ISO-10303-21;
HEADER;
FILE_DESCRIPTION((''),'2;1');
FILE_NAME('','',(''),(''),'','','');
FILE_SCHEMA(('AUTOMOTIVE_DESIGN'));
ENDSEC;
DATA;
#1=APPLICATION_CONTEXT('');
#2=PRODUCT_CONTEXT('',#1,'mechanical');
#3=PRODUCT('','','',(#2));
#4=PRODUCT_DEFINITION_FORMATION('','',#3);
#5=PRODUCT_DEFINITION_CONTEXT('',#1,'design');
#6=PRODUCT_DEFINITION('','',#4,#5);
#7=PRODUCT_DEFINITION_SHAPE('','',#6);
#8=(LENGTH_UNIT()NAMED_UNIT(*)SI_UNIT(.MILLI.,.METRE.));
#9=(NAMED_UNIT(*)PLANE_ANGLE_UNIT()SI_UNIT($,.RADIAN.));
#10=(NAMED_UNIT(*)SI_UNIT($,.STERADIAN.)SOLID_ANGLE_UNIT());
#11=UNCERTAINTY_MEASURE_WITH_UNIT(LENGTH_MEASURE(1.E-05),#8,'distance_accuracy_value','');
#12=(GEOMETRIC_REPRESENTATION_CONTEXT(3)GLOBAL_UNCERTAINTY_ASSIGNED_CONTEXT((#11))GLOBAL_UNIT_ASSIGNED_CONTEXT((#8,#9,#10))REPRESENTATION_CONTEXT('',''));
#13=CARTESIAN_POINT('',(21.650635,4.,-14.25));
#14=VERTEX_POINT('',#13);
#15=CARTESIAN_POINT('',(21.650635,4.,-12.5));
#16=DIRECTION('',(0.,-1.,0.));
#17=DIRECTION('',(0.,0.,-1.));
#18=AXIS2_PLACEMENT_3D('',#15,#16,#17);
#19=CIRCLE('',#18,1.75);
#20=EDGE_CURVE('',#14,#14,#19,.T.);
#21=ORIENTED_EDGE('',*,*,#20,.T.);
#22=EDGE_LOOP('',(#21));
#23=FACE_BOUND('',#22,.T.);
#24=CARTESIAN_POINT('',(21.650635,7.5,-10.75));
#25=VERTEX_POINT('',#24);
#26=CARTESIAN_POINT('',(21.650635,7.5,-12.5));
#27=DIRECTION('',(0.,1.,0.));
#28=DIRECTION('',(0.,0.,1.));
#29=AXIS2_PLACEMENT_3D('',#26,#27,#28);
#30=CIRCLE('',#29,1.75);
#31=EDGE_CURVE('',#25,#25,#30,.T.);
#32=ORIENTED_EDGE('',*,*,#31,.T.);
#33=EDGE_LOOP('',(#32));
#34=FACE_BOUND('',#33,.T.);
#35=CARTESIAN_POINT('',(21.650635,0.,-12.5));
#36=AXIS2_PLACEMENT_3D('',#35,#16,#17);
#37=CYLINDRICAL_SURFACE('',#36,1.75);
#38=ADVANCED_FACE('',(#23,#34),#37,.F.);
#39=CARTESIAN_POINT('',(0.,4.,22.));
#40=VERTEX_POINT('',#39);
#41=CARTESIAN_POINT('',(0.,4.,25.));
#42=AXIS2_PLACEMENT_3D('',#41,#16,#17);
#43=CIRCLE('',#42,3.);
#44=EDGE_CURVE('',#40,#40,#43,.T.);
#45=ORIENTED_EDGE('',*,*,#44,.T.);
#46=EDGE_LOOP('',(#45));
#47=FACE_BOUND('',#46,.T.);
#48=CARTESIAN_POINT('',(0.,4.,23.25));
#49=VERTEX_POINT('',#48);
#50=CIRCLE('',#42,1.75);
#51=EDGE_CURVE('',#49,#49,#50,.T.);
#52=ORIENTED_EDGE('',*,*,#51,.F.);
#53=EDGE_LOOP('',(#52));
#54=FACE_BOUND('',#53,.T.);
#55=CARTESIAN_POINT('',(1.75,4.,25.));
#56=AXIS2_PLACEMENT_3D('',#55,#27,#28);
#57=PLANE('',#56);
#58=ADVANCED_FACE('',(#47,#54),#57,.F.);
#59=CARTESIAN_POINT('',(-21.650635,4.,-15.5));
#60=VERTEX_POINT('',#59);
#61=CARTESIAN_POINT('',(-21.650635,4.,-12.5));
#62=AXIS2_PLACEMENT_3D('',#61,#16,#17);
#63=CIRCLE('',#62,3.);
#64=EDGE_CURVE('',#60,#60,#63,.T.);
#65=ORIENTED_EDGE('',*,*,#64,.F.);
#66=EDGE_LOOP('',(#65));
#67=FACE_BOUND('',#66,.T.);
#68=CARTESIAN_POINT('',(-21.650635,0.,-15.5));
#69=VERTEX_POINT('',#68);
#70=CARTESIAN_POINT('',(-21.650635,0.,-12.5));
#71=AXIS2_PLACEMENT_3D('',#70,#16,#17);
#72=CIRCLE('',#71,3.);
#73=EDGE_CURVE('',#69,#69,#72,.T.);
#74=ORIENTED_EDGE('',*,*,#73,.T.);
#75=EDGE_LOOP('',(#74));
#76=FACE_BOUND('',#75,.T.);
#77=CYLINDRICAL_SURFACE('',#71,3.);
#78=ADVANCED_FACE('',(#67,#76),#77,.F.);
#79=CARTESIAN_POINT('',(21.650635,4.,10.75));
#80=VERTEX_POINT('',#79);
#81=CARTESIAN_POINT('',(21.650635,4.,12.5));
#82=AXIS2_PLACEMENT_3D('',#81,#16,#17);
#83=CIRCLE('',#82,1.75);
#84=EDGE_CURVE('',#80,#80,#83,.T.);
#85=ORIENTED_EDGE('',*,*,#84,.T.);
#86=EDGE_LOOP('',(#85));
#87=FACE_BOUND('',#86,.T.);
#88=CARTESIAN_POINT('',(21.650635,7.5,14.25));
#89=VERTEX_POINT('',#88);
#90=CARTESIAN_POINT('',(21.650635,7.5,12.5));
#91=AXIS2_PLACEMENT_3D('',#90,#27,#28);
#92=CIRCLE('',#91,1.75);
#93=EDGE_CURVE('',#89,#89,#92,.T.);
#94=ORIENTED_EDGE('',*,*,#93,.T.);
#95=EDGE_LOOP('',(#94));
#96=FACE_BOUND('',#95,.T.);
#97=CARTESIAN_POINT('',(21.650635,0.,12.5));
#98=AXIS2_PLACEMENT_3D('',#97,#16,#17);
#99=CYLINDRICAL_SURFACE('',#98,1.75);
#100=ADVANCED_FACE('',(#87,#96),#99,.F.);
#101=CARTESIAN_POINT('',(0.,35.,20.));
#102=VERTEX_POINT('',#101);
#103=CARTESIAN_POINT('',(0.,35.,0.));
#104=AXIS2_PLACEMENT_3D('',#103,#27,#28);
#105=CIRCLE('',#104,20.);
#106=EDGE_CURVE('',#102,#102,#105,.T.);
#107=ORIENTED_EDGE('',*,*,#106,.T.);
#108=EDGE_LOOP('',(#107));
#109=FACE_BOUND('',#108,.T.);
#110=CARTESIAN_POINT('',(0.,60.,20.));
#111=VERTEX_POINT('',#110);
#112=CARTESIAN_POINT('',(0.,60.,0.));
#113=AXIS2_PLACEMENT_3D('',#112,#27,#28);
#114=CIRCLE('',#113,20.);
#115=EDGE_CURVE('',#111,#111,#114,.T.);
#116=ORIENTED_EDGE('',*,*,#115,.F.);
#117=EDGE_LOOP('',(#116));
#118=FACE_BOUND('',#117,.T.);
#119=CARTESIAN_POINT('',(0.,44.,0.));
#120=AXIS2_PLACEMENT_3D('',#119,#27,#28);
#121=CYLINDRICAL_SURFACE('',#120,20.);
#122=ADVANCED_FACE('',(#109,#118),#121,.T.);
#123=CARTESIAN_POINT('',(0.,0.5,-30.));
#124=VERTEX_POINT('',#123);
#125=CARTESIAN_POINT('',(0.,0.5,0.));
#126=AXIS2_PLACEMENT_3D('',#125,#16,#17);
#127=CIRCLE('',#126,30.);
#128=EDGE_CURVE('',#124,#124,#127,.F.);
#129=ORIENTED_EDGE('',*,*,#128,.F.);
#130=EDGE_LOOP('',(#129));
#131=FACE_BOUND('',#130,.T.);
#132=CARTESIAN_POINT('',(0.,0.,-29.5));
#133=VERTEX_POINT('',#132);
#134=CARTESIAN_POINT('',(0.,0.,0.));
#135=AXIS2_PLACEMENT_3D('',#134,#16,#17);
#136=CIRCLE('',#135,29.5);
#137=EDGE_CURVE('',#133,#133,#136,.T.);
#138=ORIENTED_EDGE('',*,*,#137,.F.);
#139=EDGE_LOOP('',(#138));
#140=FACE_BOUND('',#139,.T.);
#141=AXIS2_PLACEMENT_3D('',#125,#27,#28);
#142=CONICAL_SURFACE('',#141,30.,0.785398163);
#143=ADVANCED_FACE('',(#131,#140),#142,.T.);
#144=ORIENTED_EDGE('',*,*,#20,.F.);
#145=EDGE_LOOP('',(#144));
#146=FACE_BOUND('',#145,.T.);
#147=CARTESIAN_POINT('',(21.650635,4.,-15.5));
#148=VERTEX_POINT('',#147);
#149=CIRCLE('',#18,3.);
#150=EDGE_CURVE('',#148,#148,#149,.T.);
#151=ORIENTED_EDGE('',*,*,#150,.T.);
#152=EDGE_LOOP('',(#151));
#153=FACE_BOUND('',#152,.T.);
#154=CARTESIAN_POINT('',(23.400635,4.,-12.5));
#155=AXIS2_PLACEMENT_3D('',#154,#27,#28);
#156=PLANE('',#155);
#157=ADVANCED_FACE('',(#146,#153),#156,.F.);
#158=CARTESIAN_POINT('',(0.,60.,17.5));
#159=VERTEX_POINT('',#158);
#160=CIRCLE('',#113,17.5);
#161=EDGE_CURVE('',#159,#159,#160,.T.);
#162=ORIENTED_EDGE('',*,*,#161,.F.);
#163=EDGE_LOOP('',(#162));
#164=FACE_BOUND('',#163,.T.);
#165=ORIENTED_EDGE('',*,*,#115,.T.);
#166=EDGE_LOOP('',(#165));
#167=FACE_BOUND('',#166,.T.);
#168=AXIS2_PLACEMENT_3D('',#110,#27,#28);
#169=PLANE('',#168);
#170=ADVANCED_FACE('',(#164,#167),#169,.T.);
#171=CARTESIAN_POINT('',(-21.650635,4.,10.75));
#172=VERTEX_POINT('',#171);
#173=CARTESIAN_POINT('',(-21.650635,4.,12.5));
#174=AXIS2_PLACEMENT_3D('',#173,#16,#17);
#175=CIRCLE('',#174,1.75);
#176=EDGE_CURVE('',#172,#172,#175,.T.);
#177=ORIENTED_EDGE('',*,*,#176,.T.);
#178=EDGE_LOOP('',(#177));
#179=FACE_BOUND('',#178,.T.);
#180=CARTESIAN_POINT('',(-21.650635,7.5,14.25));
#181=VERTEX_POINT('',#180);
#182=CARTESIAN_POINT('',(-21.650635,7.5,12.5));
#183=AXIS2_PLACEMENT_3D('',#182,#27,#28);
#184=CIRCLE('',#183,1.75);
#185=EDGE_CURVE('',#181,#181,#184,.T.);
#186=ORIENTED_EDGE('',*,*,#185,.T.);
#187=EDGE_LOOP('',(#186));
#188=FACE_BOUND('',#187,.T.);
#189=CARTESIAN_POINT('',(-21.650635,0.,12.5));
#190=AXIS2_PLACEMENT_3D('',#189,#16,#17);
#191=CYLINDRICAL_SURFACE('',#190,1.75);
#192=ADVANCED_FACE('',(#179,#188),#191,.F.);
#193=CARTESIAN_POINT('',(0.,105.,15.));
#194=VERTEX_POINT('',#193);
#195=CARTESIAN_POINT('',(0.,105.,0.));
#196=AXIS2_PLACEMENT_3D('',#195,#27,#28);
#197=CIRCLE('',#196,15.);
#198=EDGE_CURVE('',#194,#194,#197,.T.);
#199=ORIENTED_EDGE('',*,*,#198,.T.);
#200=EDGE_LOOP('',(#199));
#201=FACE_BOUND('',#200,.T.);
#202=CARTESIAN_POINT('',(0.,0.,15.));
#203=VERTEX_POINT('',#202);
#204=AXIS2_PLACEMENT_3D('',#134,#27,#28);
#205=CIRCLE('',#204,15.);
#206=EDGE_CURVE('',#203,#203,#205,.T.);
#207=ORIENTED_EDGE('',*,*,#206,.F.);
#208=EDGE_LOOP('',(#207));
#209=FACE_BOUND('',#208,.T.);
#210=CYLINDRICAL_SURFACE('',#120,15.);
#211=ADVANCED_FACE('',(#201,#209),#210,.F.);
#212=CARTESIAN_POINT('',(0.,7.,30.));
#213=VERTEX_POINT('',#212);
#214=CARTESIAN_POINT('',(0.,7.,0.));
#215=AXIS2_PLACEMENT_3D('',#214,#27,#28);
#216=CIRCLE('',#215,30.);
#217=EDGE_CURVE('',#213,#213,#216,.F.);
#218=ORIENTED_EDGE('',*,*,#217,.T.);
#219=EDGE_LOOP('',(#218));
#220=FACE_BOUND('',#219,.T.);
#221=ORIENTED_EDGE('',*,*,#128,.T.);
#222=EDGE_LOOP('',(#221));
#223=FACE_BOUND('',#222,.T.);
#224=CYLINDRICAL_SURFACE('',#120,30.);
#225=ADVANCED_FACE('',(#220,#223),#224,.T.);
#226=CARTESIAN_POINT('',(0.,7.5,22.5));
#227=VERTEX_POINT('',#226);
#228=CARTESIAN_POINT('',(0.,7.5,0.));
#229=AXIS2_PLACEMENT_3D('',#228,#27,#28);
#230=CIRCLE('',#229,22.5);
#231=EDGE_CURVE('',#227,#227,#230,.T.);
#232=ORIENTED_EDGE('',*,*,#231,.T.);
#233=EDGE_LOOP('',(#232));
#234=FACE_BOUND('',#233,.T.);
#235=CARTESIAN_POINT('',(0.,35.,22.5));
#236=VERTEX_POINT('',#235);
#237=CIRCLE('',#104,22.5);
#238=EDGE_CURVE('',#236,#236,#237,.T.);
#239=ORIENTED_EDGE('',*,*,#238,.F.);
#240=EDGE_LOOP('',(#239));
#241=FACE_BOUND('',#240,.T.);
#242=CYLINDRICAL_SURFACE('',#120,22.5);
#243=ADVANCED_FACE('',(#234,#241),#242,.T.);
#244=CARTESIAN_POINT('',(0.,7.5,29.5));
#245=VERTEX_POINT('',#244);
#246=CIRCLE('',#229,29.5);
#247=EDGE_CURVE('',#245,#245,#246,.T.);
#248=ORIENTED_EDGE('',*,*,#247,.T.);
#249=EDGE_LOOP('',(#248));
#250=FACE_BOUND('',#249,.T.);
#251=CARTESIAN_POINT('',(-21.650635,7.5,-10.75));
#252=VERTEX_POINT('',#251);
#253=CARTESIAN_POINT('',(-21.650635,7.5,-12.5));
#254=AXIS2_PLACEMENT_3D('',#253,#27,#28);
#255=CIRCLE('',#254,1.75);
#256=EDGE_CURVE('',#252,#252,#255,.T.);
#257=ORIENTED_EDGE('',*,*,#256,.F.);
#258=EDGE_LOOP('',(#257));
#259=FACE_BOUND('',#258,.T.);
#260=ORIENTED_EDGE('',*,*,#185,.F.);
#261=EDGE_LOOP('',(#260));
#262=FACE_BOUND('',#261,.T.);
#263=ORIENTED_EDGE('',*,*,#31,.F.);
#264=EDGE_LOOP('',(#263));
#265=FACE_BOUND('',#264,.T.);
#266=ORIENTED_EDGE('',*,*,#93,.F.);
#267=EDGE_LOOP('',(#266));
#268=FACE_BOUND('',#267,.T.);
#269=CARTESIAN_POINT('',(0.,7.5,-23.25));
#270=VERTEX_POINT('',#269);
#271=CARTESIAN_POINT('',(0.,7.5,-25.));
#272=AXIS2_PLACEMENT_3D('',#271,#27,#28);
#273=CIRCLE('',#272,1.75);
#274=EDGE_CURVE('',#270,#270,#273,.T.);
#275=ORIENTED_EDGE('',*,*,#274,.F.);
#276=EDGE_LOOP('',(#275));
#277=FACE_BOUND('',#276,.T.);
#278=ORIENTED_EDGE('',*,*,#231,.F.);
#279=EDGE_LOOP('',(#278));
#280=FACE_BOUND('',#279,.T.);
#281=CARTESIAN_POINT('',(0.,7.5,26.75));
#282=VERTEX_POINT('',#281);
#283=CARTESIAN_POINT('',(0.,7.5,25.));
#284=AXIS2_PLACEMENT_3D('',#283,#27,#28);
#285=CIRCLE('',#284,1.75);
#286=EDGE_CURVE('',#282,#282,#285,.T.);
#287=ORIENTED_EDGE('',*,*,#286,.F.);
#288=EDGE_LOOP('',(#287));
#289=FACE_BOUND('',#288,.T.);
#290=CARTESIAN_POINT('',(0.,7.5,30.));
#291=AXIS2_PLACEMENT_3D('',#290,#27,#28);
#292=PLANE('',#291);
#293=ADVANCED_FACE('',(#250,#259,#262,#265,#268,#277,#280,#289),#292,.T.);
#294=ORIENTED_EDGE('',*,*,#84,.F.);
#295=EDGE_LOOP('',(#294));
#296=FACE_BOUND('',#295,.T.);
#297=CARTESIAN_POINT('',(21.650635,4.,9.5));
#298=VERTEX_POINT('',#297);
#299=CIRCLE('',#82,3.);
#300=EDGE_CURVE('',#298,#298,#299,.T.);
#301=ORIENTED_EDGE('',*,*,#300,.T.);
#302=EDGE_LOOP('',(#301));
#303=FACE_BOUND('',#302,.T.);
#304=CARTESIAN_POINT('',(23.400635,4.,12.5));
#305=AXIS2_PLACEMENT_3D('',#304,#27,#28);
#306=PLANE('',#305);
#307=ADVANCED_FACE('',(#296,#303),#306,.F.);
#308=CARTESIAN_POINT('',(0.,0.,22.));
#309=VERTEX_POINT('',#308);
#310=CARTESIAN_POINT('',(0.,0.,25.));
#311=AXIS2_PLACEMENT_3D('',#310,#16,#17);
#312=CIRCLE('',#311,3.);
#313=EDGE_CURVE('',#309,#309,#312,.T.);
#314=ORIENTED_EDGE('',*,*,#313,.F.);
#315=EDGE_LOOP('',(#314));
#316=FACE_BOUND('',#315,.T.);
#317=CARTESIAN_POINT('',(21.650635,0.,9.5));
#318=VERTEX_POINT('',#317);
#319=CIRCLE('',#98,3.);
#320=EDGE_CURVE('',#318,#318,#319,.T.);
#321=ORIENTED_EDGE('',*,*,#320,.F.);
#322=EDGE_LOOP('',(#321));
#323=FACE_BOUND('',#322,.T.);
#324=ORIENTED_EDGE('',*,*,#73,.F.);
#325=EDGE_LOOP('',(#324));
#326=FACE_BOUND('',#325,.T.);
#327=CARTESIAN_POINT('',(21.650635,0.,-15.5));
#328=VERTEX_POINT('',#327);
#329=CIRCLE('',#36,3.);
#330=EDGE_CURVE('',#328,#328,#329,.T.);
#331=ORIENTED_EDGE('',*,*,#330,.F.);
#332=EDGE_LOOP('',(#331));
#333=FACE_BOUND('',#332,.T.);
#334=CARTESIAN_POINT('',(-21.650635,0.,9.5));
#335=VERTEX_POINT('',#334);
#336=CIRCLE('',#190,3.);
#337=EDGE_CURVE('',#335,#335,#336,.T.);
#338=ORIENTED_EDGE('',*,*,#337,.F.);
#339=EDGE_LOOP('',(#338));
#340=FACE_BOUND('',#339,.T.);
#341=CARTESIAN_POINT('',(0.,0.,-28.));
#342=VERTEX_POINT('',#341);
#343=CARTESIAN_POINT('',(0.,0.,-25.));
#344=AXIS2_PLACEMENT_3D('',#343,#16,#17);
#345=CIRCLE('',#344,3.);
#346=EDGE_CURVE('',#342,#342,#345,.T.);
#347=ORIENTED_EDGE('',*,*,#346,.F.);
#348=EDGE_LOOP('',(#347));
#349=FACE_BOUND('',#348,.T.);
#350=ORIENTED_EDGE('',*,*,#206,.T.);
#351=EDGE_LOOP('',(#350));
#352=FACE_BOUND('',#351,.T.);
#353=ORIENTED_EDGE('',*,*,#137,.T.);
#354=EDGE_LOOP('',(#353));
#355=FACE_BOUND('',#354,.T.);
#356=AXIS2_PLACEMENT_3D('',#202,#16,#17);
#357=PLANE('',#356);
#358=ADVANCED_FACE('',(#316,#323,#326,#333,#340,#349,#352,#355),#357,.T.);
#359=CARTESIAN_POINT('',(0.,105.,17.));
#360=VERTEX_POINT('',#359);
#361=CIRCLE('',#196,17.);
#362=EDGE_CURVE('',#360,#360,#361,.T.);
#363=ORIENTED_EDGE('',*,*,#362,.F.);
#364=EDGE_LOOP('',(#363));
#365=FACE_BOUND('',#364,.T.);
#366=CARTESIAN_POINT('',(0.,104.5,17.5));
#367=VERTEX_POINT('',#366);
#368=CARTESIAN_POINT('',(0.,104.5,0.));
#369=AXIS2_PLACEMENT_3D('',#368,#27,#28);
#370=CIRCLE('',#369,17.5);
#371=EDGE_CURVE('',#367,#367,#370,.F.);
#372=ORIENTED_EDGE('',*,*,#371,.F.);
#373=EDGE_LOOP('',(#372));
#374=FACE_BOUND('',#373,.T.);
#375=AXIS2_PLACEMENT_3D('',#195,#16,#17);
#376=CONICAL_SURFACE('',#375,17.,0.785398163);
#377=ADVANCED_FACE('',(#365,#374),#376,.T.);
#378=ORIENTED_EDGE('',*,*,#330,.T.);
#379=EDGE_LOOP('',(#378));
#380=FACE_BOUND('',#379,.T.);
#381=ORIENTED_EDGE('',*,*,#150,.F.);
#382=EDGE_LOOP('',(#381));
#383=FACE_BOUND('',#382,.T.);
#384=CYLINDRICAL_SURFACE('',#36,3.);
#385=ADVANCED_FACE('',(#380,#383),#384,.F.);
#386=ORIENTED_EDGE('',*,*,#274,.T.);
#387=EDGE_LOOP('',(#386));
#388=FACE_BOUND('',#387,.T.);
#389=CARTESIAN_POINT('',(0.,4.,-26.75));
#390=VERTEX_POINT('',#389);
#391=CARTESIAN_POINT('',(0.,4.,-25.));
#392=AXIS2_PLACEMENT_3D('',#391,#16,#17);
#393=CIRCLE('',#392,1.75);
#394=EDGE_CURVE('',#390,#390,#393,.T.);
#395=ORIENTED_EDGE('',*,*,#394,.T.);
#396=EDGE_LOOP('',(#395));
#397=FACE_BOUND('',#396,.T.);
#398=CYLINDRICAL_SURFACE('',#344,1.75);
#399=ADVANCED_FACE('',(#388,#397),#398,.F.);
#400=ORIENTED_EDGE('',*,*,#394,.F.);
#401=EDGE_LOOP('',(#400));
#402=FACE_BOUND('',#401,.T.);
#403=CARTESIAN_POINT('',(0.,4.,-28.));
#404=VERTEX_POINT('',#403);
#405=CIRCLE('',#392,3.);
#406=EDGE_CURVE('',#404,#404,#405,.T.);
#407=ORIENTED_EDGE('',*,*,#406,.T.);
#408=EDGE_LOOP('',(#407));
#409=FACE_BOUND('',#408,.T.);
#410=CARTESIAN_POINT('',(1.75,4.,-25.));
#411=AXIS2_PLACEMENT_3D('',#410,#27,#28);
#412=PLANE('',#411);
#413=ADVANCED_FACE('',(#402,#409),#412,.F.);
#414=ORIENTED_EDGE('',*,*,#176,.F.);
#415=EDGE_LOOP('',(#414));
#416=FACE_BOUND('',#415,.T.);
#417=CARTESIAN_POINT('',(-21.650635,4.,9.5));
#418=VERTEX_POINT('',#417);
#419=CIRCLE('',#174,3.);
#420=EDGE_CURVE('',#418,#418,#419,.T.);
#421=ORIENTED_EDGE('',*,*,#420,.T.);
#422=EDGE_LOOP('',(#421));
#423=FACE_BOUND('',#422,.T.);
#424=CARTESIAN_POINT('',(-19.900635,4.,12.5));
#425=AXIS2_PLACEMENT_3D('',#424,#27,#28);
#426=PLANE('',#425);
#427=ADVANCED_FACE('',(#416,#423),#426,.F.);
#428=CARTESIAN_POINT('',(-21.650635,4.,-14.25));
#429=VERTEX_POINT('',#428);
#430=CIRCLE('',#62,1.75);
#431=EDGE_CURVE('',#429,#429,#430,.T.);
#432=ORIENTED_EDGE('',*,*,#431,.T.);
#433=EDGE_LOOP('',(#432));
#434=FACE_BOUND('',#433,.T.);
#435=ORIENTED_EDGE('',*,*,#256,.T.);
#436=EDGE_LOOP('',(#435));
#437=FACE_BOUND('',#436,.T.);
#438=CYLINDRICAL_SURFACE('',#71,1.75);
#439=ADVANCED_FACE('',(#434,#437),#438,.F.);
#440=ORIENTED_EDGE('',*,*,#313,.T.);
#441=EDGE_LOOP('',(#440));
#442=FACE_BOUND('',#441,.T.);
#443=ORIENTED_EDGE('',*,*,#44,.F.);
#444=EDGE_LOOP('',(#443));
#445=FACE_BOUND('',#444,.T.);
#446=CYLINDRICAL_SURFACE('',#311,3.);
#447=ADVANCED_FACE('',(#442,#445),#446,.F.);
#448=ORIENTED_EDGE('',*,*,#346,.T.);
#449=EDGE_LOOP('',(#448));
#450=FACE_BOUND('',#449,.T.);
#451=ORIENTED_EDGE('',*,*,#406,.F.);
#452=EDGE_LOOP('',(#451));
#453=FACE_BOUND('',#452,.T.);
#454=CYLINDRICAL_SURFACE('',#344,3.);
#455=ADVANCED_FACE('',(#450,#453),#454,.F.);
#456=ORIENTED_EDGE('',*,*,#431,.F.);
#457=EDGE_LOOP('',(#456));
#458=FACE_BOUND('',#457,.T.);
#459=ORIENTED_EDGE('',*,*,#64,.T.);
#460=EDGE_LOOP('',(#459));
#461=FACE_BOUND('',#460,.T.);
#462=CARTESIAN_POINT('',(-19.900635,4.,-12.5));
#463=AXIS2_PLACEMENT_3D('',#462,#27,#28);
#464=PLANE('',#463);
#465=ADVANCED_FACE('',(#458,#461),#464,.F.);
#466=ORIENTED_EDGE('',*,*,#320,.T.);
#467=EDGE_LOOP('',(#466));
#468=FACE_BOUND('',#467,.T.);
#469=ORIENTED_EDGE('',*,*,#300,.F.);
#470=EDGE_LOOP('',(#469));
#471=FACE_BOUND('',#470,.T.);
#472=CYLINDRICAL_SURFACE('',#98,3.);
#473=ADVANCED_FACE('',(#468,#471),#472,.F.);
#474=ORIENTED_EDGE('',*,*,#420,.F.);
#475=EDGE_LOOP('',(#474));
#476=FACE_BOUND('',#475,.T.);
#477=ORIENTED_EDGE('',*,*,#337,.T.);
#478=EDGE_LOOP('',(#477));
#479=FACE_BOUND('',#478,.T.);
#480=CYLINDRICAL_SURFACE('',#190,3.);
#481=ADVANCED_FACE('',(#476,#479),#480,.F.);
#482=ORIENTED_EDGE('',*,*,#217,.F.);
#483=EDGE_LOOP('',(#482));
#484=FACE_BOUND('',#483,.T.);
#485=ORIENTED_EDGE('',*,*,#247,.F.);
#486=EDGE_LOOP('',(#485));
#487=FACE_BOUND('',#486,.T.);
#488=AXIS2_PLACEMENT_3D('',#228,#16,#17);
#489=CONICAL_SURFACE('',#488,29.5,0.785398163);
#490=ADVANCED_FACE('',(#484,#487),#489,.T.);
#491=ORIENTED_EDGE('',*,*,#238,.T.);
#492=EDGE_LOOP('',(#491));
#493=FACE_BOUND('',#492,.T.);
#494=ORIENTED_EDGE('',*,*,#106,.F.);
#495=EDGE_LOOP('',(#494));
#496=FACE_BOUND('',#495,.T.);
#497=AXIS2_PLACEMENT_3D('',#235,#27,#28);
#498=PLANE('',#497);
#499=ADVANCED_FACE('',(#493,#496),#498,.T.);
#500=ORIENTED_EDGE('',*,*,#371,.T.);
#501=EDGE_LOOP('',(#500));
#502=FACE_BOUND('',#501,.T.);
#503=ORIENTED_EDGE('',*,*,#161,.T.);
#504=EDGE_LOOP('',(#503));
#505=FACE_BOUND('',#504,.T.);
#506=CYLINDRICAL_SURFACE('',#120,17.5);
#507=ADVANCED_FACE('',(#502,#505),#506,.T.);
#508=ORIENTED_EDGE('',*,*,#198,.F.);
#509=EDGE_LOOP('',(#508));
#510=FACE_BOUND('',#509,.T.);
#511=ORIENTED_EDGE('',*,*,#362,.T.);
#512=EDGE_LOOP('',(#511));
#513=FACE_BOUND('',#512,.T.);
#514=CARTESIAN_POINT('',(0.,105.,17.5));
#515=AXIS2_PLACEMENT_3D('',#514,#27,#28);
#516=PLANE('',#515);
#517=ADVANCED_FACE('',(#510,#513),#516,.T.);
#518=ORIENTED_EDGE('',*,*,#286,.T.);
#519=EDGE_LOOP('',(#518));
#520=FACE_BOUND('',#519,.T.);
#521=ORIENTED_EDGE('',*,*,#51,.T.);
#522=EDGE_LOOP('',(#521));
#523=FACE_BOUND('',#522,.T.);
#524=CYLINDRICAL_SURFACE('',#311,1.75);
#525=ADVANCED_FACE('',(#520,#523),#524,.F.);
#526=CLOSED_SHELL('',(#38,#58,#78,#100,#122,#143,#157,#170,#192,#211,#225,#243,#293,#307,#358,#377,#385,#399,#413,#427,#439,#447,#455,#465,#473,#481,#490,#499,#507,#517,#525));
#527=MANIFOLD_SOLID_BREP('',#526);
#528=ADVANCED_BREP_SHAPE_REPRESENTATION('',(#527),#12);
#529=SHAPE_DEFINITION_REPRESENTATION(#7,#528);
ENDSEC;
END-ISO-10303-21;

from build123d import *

# Parameters (mm, degrees)
HOLE_WIZARD_1_D           = 3.5
HOLE_WIZARD_1_CBORE_D     = 6
HOLE_WIZARD_1_CBORE_DEPTH = 4
PATTERN_CIRCULAR_1_COUNT  = 6
CHAMFER_1_SIZE            = 0.5


with BuildPart() as part:
    # 草图1 → 旋转1 (revolve)
    with BuildSketch(Plane(origin=(0, 0, 0), x_dir=(0, 0, -1), z_dir=(1, 0, 0))):
        Polygon((-15, 105), (-15, 0), (-30, 0), (-30, 7.5), (-22.5, 7.5), (-22.5, 35), (-20, 35), (-20, 60), (-17.5, 60), (-17.5, 105), align=None)
    revolve(axis=Axis((0, 44, 0), (0, -1, 0)))

    # 打孔尺寸(%根据)内六角圆柱头螺钉的类型1 (through all)
    with Locations(Plane(origin=(0, 0, 0), x_dir=(-1, 0, 0), z_dir=(0, -1, 0))):
        with Locations((0, -25)):
            hole_wizard_1 = CounterBoreHole(HOLE_WIZARD_1_D / 2, HOLE_WIZARD_1_CBORE_D / 2, HOLE_WIZARD_1_CBORE_DEPTH)

    # 阵列(圆周)1: 打孔尺寸(%根据)内六角圆柱头螺钉的类型1 ×6 about axis
    pattern_circular_1_axis = Axis((0, 0, 0), (0, 1, 0))
    for i in range(1, PATTERN_CIRCULAR_1_COUNT):
        add(hole_wizard_1.rotate(pattern_circular_1_axis, i * 360 / PATTERN_CIRCULAR_1_COUNT), mode=Mode.SUBTRACT)

    # 倒角1
    chamfer_1_edges = [part.edges().sort_by_distance(p)[0] for p in [
        (0, 7.5, -30),
        (0, 0, -30),
        (0, 105, -17.5),
    ]]
    chamfer(chamfer_1_edges, length=CHAMFER_1_SIZE)


solid = part.part
